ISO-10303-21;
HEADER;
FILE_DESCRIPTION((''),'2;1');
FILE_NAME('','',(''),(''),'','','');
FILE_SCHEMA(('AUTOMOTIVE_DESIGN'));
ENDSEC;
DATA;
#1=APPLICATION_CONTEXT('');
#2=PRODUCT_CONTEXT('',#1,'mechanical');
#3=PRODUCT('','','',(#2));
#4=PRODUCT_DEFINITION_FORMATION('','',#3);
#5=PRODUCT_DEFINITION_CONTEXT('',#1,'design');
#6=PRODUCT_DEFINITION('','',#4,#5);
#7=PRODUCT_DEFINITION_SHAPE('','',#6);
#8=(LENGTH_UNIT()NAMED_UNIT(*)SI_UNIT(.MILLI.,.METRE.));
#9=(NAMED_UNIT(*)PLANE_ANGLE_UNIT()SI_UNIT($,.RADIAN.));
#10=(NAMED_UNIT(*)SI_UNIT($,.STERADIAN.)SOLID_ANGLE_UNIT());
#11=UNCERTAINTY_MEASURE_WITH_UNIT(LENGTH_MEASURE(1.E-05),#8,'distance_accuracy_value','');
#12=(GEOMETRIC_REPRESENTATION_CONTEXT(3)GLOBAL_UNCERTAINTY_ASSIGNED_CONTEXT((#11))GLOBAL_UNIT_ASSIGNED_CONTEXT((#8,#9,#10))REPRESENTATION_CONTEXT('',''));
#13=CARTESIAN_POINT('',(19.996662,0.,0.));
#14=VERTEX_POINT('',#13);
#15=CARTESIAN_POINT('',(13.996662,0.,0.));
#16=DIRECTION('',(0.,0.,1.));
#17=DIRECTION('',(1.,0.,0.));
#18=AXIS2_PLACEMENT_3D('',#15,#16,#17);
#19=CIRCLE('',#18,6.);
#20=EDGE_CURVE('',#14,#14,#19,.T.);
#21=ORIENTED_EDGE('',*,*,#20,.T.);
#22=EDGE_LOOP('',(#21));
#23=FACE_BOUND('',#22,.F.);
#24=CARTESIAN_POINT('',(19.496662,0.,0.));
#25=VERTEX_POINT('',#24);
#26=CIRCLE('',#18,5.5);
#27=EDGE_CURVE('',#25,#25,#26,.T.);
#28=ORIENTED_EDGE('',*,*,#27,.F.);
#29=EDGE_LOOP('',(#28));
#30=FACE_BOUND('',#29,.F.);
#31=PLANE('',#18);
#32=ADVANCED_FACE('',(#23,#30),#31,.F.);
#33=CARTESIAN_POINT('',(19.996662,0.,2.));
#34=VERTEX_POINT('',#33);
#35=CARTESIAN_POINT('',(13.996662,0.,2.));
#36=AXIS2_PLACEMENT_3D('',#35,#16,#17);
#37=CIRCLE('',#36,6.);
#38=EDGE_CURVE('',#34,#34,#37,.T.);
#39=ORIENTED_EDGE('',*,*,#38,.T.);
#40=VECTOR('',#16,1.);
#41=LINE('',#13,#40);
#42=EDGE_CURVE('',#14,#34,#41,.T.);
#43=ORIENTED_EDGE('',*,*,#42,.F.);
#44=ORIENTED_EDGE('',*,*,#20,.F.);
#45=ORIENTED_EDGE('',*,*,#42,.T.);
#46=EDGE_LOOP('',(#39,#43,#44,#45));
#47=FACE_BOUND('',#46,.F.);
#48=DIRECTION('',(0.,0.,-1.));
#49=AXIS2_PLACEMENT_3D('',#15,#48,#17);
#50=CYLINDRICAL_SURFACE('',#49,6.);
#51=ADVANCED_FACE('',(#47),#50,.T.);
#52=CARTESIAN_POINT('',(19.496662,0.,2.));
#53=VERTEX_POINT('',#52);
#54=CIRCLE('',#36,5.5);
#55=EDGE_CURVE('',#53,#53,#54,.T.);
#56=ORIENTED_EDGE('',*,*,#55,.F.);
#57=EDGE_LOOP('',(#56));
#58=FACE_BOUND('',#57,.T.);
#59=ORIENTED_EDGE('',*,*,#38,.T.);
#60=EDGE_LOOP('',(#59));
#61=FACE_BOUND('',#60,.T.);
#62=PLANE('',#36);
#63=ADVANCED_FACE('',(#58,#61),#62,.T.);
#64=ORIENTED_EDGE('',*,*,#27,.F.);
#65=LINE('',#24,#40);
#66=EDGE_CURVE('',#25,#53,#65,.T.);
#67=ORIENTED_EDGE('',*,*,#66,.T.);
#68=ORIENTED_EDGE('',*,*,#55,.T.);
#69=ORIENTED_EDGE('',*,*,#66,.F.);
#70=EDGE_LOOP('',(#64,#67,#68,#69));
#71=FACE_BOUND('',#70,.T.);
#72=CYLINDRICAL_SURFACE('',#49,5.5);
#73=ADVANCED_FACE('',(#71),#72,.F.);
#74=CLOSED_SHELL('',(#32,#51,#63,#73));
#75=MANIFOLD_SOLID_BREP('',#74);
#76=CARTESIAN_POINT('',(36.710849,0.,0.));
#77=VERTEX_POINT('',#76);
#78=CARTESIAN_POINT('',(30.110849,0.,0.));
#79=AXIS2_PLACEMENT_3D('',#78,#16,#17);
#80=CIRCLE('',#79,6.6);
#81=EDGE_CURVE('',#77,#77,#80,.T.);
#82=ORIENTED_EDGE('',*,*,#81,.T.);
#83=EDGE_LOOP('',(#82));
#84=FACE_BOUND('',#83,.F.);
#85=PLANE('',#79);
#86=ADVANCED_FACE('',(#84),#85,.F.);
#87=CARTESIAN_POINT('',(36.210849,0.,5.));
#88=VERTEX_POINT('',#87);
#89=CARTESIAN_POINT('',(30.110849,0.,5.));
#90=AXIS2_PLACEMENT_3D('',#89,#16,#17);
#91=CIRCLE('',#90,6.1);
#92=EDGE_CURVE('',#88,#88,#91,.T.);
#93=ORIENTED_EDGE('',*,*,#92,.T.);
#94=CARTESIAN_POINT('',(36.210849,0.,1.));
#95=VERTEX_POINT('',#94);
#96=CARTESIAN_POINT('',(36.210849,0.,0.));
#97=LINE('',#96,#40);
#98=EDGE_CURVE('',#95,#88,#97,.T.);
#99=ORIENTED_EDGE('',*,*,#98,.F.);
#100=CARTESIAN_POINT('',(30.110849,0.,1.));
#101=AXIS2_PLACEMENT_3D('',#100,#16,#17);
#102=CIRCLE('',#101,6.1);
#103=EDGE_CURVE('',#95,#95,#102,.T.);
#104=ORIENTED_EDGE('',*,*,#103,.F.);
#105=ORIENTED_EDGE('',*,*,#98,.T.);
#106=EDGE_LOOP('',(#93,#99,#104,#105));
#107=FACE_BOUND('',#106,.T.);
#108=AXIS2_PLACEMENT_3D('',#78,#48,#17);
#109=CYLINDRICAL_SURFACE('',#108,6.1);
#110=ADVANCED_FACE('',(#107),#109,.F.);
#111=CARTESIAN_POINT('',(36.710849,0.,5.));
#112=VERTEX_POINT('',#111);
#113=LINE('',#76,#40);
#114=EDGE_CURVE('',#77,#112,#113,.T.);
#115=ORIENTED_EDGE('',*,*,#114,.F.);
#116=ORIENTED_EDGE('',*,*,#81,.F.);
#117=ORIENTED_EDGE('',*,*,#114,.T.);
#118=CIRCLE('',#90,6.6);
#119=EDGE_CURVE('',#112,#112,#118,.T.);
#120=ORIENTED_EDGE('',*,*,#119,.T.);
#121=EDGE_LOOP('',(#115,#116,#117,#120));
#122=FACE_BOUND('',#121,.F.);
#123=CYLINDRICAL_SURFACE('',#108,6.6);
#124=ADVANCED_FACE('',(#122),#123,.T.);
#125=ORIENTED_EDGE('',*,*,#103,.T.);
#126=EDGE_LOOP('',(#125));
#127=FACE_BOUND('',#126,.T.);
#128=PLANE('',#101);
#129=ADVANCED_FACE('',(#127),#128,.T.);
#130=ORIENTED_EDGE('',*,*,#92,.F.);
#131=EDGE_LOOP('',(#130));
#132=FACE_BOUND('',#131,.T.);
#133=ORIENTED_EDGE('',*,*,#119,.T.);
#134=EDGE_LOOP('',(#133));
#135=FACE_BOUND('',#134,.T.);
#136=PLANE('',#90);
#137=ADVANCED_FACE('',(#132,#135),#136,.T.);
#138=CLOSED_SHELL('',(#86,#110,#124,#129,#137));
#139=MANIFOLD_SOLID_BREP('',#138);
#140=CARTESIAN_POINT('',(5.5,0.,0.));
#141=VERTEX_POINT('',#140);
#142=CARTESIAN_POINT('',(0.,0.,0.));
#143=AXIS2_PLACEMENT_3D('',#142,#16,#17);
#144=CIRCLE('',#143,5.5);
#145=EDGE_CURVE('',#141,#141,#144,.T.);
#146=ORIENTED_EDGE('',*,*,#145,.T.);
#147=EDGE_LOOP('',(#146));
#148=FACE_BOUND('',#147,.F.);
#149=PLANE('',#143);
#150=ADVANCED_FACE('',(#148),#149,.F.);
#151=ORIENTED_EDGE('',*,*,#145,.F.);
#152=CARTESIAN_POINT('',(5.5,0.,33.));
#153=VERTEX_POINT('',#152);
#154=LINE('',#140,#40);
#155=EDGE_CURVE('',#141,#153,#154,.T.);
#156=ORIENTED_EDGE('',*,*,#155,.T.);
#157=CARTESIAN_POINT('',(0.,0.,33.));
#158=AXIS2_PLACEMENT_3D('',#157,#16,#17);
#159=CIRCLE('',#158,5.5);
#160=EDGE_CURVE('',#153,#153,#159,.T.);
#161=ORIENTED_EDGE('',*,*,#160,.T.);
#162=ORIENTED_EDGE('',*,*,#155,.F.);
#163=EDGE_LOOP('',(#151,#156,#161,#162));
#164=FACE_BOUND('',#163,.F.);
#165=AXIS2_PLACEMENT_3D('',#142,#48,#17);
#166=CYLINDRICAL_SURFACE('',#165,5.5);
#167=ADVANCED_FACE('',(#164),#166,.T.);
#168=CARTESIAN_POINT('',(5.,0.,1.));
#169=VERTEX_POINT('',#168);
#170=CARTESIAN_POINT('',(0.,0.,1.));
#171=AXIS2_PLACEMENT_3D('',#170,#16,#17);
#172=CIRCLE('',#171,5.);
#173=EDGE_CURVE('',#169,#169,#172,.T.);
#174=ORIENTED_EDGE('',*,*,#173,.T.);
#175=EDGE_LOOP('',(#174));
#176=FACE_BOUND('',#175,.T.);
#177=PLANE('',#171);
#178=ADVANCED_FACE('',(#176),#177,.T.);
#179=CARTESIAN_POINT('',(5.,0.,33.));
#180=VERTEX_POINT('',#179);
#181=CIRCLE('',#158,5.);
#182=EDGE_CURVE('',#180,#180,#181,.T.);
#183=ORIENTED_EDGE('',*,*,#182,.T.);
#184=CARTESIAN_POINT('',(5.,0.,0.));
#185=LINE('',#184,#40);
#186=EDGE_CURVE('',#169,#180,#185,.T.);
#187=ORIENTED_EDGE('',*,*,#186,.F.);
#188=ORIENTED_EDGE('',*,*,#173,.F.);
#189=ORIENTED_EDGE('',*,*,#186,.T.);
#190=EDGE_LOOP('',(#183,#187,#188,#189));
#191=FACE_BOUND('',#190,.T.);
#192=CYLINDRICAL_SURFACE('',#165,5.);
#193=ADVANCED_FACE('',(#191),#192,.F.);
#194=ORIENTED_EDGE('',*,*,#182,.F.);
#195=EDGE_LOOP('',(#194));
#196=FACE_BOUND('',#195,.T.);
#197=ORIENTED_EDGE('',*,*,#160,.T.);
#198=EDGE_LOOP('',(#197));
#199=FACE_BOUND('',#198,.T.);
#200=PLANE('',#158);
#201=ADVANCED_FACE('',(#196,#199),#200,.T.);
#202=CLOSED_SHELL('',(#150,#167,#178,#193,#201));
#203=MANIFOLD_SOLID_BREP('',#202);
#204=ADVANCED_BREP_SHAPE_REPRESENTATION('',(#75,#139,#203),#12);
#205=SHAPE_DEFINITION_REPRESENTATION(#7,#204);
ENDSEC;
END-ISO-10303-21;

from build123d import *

# Parameters (mm, degrees)
F0_R     = 5.5
F0_R_2   = 5
F1_DEPTH = 33
F2_DEPTH = 1
F0_R_3   = 6
F3_DEPTH = 2
F0_R_4   = 6.6
F0_R_5   = 6.1
F4_DEPTH = 5
F5_DEPTH = 1


with BuildPart() as f1:
    # F0 (on Top) → F1 (new body)
    with BuildSketch(Plane.XY):
        Circle(F0_R)
        Circle(F0_R_2, mode=Mode.SUBTRACT)
    extrude(amount=F1_DEPTH)

    # F0 (on Top) → F2 (join)
    with BuildSketch(Plane.XY):
        Circle(F0_R_2)
    extrude(amount=F2_DEPTH)


with BuildPart() as f3:
    # F0 (on Top) → F3 (new body)
    with BuildSketch(Plane.XY):
        with Locations((13.996662, 0)):
            Circle(F0_R_3)
        with Locations((13.996662, 0)):
            Circle(F0_R, mode=Mode.SUBTRACT)
    extrude(amount=F3_DEPTH)


with BuildPart() as f4:
    # F0 (on Top) → F4 (new body)
    with BuildSketch(Plane.XY):
        with Locations((30.110849, 0)):
            Circle(F0_R_4)
        with Locations((30.110849, 0)):
            Circle(F0_R_5, mode=Mode.SUBTRACT)
    extrude(amount=F4_DEPTH)

    # F0 (on Top) → F5 (join)
    with BuildSketch(Plane.XY):
        with Locations((30.110849, 0)):
            Circle(F0_R_5)
    extrude(amount=F5_DEPTH)


solid = Compound([f1.part, f3.part, f4.part])
